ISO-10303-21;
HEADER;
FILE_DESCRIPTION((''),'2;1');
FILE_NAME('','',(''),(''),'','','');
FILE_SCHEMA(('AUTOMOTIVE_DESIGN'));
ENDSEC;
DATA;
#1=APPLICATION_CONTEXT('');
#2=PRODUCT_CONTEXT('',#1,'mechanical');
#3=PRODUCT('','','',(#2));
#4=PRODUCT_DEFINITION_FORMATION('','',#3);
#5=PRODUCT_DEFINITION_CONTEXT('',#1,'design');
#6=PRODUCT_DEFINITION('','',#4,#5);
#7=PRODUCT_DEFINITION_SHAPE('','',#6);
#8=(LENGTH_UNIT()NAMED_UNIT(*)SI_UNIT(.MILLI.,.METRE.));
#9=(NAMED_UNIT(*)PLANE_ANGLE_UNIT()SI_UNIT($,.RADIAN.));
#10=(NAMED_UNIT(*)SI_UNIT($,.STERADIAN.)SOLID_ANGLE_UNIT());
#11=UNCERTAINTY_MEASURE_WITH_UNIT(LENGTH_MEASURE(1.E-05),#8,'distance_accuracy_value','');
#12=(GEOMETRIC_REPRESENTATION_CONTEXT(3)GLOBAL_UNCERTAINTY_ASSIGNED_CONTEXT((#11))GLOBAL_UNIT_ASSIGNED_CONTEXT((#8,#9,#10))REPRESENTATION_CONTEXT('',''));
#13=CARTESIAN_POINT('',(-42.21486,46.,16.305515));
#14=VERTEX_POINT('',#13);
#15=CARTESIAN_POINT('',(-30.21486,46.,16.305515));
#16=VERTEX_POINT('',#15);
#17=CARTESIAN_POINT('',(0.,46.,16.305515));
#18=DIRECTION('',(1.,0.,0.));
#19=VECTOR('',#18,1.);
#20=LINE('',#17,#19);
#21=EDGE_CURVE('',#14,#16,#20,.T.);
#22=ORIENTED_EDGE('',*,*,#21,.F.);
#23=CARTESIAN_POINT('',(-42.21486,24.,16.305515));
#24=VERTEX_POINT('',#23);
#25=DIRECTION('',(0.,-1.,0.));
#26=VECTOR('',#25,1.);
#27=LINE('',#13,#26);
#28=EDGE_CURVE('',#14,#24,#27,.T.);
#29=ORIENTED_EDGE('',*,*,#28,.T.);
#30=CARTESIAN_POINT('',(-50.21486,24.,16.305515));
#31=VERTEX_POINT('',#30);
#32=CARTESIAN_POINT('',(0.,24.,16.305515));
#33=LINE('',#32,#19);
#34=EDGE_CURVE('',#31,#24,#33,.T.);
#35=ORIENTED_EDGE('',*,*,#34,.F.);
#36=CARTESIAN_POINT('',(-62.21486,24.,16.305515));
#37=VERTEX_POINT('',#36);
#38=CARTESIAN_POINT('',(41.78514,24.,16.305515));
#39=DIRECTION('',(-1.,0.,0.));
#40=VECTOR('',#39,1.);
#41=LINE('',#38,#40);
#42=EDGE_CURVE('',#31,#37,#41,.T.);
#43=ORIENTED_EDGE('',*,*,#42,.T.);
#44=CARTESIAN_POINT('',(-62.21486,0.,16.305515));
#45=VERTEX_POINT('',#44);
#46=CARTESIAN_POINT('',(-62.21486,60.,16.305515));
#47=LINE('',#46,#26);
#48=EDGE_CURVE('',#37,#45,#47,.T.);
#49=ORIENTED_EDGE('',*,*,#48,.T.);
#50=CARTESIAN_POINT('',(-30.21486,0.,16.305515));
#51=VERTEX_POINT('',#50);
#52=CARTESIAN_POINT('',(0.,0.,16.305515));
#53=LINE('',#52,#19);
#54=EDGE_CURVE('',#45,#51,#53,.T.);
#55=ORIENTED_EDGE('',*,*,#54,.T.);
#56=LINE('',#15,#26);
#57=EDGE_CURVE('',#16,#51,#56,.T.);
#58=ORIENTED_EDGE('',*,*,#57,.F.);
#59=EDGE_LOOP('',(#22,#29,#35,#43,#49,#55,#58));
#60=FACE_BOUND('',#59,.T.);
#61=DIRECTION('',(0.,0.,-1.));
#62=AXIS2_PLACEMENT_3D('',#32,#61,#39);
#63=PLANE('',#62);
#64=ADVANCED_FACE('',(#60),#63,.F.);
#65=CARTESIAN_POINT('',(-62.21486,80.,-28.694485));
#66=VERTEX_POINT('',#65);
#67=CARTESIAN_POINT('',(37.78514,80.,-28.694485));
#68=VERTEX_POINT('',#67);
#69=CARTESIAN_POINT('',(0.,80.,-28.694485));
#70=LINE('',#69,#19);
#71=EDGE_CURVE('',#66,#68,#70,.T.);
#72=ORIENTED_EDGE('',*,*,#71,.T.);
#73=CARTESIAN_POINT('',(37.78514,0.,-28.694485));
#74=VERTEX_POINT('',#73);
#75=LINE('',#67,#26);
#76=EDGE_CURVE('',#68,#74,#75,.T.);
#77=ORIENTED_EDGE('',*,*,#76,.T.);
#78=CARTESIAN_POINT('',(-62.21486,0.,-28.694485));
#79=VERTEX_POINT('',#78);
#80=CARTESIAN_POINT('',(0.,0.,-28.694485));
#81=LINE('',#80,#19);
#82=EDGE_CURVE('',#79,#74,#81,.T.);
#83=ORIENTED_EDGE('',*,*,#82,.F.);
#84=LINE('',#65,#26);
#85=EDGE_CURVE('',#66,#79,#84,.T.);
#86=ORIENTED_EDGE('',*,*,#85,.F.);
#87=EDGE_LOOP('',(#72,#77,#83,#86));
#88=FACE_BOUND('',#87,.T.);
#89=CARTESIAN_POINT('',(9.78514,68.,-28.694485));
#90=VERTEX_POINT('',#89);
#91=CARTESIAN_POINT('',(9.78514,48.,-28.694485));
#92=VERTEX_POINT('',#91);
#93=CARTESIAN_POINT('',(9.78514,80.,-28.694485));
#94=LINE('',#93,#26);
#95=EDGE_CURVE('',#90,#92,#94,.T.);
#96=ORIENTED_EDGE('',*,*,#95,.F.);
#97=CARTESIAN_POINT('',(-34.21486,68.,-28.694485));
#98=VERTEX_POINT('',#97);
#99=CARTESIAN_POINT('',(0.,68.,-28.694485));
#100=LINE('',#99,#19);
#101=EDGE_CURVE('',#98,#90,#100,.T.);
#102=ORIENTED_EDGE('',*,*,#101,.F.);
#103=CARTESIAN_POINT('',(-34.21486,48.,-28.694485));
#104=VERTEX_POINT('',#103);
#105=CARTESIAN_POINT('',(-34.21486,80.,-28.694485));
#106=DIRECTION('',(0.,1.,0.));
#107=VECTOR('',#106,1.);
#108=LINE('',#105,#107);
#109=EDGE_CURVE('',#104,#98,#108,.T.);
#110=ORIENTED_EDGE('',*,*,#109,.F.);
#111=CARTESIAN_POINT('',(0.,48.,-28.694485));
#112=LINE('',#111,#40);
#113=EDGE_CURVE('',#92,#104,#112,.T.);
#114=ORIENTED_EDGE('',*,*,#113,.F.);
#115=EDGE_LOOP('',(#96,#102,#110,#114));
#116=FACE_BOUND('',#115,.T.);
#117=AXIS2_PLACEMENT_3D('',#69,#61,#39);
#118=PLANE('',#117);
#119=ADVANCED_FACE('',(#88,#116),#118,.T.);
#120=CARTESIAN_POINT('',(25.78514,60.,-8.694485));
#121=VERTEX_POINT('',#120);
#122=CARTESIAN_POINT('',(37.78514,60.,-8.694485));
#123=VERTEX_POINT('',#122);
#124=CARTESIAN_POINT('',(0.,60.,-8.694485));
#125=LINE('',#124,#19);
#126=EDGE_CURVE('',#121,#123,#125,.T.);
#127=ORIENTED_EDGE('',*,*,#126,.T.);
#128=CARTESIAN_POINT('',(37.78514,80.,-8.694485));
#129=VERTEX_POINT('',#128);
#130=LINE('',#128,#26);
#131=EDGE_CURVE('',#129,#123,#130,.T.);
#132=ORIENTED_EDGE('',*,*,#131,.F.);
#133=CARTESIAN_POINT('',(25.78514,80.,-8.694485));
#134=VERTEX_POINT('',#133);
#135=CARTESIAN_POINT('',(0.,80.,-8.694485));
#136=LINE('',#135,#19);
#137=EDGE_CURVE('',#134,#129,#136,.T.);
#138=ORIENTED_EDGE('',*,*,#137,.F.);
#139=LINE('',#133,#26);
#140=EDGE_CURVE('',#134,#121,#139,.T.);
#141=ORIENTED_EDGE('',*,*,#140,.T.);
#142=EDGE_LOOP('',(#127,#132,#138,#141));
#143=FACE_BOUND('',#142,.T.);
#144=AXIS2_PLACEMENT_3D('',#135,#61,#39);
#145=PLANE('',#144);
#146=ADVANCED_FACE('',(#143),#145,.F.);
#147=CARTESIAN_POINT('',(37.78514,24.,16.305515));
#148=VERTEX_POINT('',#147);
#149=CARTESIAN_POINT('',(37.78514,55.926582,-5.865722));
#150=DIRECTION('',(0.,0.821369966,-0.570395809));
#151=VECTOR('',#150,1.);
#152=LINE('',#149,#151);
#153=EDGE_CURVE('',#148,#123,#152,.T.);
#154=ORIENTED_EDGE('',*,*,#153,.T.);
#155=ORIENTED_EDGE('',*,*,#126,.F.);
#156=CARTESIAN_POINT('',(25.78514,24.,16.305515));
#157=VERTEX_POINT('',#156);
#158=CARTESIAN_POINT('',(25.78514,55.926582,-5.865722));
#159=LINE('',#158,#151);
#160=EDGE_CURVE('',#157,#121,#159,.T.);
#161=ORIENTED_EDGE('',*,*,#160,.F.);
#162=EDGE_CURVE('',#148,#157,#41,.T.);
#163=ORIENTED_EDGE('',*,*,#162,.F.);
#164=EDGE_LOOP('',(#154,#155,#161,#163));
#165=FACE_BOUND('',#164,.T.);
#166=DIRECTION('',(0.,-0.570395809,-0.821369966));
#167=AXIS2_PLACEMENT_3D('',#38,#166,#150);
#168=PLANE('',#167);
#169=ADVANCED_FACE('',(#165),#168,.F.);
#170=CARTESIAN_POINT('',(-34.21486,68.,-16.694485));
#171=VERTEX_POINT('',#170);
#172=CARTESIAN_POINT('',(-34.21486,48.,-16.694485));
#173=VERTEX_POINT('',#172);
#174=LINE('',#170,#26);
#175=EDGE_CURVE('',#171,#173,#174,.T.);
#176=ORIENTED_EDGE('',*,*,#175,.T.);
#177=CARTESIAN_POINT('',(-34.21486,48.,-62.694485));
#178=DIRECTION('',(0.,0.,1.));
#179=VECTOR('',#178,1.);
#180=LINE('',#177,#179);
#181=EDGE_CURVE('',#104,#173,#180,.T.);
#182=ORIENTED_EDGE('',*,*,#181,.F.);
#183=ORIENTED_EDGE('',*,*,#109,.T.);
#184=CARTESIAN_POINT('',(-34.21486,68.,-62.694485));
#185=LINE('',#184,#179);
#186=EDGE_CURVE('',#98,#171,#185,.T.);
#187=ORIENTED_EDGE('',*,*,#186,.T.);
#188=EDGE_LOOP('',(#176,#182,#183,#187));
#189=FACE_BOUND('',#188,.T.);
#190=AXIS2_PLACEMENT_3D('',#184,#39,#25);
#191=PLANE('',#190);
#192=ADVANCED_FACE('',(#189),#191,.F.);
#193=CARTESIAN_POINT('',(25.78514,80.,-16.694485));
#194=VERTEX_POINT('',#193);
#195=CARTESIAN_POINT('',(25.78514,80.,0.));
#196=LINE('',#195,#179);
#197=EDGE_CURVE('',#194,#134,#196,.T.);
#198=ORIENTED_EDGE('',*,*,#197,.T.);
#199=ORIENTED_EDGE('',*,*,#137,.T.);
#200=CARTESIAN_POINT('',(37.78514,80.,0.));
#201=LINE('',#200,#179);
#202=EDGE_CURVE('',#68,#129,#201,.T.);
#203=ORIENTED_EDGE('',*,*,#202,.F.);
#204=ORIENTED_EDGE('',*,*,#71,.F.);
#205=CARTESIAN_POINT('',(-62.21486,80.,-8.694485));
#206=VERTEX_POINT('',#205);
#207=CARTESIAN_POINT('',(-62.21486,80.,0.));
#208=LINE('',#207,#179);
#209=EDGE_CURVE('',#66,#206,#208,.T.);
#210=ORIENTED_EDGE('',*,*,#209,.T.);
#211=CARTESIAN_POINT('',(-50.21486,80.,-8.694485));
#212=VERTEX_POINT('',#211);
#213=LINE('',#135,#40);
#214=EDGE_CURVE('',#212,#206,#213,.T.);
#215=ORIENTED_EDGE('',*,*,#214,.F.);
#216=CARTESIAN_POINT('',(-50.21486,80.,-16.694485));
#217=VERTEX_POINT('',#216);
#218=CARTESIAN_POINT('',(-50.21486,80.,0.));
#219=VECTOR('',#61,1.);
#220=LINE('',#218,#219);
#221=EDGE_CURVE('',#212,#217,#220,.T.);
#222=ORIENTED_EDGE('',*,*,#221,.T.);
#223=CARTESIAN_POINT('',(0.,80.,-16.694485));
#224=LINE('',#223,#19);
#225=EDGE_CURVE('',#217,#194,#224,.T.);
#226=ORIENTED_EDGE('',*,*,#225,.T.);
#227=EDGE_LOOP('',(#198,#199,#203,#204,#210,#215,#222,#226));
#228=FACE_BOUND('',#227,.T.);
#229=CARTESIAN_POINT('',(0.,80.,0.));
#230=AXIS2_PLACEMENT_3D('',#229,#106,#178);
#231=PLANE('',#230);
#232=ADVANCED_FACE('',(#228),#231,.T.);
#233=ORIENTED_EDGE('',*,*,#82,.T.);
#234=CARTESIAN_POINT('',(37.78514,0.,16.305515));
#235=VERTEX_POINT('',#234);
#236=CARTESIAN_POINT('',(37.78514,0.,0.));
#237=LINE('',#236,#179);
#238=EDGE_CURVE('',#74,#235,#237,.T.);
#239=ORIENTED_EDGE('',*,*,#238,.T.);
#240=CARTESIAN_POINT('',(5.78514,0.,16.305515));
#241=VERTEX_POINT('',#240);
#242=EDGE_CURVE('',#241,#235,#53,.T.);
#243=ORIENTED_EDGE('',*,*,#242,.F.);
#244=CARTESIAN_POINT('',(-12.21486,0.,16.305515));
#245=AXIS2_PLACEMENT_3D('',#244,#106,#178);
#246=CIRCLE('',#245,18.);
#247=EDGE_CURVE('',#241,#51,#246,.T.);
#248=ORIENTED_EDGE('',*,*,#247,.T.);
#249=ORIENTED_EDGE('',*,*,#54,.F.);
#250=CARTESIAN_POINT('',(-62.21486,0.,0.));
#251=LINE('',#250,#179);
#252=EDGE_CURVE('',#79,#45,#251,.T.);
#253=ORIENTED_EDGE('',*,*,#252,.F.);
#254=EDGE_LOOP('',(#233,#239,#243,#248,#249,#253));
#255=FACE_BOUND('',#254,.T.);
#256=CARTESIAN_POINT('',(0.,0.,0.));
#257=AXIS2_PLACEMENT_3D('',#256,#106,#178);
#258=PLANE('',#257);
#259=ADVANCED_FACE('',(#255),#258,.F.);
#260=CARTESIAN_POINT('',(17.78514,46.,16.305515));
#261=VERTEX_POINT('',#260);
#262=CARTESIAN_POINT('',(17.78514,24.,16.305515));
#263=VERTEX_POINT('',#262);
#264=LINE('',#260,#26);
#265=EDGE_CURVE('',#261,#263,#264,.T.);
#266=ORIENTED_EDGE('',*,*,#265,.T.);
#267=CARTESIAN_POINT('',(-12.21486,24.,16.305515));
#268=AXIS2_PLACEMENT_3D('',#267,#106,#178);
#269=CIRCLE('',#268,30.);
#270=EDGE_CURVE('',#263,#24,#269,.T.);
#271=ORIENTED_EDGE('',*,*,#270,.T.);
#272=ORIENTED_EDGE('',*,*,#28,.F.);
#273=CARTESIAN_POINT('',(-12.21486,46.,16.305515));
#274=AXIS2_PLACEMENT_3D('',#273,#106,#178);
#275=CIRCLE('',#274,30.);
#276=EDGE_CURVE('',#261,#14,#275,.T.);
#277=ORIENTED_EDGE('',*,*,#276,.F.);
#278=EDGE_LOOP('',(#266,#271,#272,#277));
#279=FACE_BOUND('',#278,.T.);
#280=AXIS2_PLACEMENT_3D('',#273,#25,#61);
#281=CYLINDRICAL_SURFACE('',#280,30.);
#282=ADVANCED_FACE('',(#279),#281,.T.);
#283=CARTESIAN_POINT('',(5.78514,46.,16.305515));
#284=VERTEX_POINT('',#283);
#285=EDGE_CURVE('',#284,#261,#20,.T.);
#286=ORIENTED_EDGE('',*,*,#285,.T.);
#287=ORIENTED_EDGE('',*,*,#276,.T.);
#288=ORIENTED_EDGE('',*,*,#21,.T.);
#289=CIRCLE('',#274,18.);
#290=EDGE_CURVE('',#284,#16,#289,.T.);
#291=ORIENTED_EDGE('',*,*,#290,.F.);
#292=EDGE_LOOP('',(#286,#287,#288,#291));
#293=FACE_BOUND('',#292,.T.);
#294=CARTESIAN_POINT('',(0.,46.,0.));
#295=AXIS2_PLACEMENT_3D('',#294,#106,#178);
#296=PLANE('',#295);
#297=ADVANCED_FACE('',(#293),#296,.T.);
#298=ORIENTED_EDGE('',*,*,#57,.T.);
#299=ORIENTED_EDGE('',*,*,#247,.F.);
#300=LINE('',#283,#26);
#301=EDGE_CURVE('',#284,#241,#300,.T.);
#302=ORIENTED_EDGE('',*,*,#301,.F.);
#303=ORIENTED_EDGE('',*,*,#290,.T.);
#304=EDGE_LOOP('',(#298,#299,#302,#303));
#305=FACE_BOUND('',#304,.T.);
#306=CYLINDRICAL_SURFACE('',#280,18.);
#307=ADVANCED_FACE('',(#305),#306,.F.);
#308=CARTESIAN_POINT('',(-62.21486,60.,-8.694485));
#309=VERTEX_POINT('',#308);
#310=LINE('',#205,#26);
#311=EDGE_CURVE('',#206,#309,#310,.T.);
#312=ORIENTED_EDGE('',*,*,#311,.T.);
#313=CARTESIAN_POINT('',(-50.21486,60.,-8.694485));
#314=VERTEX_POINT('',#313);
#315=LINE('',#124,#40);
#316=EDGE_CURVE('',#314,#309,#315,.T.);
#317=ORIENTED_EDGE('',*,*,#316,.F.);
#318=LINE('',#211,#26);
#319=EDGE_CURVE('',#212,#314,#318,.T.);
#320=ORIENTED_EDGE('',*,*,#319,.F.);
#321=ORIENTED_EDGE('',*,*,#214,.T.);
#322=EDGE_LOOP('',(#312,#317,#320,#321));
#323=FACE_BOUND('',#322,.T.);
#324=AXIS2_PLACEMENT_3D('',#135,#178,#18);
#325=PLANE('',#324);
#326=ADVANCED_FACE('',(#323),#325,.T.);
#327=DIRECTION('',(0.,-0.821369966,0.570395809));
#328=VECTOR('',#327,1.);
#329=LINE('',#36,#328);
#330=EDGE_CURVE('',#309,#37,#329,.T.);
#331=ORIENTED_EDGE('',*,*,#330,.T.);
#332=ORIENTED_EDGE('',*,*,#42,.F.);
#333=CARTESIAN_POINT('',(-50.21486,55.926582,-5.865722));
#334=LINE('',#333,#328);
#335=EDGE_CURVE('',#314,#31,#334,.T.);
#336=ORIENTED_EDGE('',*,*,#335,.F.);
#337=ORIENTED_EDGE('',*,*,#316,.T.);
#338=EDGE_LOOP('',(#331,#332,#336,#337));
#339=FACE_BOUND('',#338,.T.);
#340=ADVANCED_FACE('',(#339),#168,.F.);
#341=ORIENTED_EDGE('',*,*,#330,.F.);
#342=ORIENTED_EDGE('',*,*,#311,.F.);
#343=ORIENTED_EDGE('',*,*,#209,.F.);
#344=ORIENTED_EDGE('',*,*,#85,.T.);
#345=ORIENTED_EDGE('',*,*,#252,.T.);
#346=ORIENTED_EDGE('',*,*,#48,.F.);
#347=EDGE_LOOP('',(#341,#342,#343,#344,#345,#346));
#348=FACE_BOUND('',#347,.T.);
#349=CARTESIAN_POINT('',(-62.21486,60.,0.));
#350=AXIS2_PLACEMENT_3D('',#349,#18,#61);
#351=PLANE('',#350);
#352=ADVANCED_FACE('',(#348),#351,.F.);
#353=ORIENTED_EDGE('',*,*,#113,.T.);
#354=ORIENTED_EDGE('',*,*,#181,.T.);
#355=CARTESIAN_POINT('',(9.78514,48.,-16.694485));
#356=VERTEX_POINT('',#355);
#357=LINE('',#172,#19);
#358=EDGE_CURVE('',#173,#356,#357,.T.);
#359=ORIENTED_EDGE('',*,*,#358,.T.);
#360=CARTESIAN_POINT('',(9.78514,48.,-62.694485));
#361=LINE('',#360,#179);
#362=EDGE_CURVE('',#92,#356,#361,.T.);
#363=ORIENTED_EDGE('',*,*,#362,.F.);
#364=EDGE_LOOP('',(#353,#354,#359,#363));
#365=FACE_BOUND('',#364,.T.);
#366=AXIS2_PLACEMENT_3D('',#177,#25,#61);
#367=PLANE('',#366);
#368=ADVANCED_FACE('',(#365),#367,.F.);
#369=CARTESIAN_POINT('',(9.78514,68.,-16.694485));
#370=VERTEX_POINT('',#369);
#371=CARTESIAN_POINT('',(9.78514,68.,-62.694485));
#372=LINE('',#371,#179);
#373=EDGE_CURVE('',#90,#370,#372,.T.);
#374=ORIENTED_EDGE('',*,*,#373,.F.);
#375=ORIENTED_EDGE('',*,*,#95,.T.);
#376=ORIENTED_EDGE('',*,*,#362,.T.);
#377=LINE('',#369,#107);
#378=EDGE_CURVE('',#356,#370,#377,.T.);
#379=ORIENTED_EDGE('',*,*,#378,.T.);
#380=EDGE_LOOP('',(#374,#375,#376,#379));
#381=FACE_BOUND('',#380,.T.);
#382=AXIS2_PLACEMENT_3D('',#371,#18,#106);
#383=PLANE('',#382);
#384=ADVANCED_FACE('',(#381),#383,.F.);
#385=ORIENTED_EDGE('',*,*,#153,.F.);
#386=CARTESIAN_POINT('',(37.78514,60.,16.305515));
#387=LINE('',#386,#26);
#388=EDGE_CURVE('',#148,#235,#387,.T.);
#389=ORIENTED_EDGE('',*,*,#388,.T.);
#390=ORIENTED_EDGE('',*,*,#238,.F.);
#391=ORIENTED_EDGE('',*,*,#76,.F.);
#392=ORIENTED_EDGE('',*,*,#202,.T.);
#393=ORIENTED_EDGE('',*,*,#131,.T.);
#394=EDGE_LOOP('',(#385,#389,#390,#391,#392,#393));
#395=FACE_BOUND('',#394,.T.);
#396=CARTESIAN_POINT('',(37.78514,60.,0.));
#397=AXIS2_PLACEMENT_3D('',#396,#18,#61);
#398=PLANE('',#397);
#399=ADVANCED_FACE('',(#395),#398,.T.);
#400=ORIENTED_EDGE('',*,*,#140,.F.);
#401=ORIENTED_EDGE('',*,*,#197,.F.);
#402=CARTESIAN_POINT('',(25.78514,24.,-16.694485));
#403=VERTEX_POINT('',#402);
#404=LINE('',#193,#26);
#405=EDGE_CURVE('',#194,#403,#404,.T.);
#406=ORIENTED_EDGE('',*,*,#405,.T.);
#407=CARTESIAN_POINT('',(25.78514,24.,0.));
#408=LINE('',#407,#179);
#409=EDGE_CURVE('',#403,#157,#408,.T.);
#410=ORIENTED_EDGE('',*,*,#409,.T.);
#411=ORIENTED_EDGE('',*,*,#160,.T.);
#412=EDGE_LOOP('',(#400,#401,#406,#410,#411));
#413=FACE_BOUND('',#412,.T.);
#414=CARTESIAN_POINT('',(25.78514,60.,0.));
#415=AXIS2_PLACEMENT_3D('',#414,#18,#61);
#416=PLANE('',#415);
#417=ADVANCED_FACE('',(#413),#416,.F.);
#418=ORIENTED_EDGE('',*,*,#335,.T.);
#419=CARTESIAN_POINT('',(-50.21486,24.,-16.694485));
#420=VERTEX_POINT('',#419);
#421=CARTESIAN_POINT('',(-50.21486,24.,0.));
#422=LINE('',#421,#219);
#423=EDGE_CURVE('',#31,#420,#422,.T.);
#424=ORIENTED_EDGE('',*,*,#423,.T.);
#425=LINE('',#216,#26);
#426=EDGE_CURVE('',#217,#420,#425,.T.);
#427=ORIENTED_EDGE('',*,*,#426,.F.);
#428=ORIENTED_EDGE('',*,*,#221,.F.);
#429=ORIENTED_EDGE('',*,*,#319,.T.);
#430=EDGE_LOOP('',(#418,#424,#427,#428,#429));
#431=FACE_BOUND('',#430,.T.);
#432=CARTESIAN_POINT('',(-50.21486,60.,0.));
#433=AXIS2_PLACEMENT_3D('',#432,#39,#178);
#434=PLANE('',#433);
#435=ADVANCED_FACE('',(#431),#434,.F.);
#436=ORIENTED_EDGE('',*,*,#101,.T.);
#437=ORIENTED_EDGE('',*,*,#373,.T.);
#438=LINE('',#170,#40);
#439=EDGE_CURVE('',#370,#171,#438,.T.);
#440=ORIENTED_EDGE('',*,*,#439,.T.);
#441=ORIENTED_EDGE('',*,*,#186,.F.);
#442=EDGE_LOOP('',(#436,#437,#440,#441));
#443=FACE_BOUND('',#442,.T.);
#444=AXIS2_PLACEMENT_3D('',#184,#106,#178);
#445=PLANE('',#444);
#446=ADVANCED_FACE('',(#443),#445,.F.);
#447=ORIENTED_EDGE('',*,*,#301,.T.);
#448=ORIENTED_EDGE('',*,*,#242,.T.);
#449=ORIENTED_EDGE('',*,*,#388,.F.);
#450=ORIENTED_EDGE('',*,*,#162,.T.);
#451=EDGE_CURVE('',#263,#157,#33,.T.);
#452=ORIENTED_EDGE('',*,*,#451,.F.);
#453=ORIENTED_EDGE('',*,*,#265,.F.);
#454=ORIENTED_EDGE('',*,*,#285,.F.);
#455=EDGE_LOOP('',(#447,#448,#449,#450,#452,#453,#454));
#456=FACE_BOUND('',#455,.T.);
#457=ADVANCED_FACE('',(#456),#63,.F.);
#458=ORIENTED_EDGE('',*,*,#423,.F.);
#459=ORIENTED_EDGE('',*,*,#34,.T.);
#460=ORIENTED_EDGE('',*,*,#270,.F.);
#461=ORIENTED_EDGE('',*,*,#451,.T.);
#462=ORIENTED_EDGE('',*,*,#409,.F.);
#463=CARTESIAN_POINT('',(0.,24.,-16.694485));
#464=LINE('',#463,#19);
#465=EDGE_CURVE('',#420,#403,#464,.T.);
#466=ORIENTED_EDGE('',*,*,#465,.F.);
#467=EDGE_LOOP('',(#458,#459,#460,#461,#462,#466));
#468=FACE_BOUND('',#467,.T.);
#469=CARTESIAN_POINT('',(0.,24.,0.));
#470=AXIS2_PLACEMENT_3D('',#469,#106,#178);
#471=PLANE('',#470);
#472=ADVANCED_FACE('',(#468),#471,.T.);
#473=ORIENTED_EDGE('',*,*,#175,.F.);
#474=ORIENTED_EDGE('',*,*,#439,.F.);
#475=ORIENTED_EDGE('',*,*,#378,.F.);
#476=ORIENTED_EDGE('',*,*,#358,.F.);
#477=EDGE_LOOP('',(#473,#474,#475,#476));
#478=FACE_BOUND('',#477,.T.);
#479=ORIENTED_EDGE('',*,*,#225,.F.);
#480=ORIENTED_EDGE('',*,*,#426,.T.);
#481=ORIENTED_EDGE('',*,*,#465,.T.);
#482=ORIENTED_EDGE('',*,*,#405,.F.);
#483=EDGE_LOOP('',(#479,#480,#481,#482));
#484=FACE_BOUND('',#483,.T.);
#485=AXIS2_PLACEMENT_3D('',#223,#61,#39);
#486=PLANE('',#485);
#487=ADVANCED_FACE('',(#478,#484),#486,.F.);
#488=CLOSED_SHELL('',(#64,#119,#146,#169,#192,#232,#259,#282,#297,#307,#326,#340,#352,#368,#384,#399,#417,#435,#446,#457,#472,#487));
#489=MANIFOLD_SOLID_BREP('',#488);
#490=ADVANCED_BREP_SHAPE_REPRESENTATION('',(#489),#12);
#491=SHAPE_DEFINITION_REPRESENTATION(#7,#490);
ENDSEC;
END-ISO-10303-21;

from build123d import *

# Parameters (mm, degrees)
BOSS_EXTRUDE1_DEPTH = 24
SKETCH1_4_W         = 12
SKETCH1_4_H         = 25
BOSS_EXTRUDE3_DEPTH = 60
BOSS_EXTRUDE5_DEPTH = 80
CUT_EXTRUDE4_DEPTH  = 104
BOSS_EXTRUDE6_DEPTH = 46
SKETCH5_W           = 44
SKETCH5_H           = 20
CUT_EXTRUDE5_DEPTH  = 46


with BuildPart() as part:
    # Sketch1 → Boss-Extrude1 (new body)
    with BuildSketch(Plane(origin=(0, 0, 0), x_dir=(1, 0, 0), z_dir=(0, 1, 0))):
        with BuildLine():
            Line((-50.214859888, 8.694484644), (-50.214859888, -16.305515356))
            Line((-50.214859888, -16.305515356), (-42.214859888, -16.305515356))
            ThreePointArc((-42.214859888, -16.305515356), (-12.214859888, 13.694484644), (17.785140112, -16.305515356))
            Line((17.785140112, -16.305515356), (25.785140112, -16.305515356))
            Line((25.785140112, -16.305515356), (25.785140112, 8.694484644))
            Line((25.785140112, 8.694484644), (25.785140112, 16.694484644))
            Line((25.785140112, 16.694484644), (-50.214859888, 16.694484644))
            Line((-50.214859888, 16.694484644), (-50.214859888, 8.694484644))
        make_face()
    extrude(amount=BOSS_EXTRUDE1_DEPTH)

    # Sketch1<4> → Boss-Extrude3 (add)
    with BuildSketch(Plane(origin=(0, 0, 0), x_dir=(1, 0, 0), z_dir=(0, 1, 0))):
        with Locations((-56.214859888, -3.805515356)):
            Rectangle(SKETCH1_4_W, SKETCH1_4_H)
        with Locations((31.785140112, -3.805515356)):
            Rectangle(SKETCH1_4_W, SKETCH1_4_H)
    extrude(amount=BOSS_EXTRUDE3_DEPTH)

    # Sketch1<7> → Boss-Extrude5 (add)
    with BuildSketch(Plane(origin=(0, 0, 0), x_dir=(1, 0, 0), z_dir=(0, 1, 0))):
        Polygon((-62.214859888, 28.694484644), (-62.214859888, 8.694484644), (-50.214859888, 8.694484644), (-50.214859888, 16.694484644), (25.785140112, 16.694484644), (25.785140112, 8.694484644), (37.785140112, 8.694484644), (37.785140112, 28.694484644), align=None)
    extrude(amount=BOSS_EXTRUDE5_DEPTH)

    # Sketch3 → Cut-Extrude4 (cut)
    with BuildSketch(Plane.ZY.offset(62.214859888)):
        Polygon((16.305515356, 24), (-8.694484644, 60), (16.305515356, 60), align=None)
    extrude(amount=-CUT_EXTRUDE4_DEPTH, mode=Mode.SUBTRACT)

    # Sketch1<8> → Boss-Extrude6 (add)
    with BuildSketch(Plane(origin=(0, 0, 0), x_dir=(1, 0, 0), z_dir=(0, 1, 0))):
        with BuildLine():
            ThreePointArc((17.785140112, -16.305515356), (-12.214859888, 13.694484644), (-42.214859888, -16.305515356))
            Line((-42.214859888, -16.305515356), (-30.214859888, -16.305515356))
            ThreePointArc((-30.214859888, -16.305515356), (-12.214859888, 1.694484644), (5.785140112, -16.305515356))
            Line((5.785140112, -16.305515356), (17.785140112, -16.305515356))
        make_face()
    extrude(amount=BOSS_EXTRUDE6_DEPTH)

    # Sketch5 → Cut-Extrude5 (cut)
    with BuildSketch(Plane.XY.offset(-16.694484644)):
        with Locations((-12.214859888, 58)):
            Rectangle(SKETCH5_W, SKETCH5_H)
    extrude(amount=-CUT_EXTRUDE5_DEPTH, mode=Mode.SUBTRACT)


solid = part.part
